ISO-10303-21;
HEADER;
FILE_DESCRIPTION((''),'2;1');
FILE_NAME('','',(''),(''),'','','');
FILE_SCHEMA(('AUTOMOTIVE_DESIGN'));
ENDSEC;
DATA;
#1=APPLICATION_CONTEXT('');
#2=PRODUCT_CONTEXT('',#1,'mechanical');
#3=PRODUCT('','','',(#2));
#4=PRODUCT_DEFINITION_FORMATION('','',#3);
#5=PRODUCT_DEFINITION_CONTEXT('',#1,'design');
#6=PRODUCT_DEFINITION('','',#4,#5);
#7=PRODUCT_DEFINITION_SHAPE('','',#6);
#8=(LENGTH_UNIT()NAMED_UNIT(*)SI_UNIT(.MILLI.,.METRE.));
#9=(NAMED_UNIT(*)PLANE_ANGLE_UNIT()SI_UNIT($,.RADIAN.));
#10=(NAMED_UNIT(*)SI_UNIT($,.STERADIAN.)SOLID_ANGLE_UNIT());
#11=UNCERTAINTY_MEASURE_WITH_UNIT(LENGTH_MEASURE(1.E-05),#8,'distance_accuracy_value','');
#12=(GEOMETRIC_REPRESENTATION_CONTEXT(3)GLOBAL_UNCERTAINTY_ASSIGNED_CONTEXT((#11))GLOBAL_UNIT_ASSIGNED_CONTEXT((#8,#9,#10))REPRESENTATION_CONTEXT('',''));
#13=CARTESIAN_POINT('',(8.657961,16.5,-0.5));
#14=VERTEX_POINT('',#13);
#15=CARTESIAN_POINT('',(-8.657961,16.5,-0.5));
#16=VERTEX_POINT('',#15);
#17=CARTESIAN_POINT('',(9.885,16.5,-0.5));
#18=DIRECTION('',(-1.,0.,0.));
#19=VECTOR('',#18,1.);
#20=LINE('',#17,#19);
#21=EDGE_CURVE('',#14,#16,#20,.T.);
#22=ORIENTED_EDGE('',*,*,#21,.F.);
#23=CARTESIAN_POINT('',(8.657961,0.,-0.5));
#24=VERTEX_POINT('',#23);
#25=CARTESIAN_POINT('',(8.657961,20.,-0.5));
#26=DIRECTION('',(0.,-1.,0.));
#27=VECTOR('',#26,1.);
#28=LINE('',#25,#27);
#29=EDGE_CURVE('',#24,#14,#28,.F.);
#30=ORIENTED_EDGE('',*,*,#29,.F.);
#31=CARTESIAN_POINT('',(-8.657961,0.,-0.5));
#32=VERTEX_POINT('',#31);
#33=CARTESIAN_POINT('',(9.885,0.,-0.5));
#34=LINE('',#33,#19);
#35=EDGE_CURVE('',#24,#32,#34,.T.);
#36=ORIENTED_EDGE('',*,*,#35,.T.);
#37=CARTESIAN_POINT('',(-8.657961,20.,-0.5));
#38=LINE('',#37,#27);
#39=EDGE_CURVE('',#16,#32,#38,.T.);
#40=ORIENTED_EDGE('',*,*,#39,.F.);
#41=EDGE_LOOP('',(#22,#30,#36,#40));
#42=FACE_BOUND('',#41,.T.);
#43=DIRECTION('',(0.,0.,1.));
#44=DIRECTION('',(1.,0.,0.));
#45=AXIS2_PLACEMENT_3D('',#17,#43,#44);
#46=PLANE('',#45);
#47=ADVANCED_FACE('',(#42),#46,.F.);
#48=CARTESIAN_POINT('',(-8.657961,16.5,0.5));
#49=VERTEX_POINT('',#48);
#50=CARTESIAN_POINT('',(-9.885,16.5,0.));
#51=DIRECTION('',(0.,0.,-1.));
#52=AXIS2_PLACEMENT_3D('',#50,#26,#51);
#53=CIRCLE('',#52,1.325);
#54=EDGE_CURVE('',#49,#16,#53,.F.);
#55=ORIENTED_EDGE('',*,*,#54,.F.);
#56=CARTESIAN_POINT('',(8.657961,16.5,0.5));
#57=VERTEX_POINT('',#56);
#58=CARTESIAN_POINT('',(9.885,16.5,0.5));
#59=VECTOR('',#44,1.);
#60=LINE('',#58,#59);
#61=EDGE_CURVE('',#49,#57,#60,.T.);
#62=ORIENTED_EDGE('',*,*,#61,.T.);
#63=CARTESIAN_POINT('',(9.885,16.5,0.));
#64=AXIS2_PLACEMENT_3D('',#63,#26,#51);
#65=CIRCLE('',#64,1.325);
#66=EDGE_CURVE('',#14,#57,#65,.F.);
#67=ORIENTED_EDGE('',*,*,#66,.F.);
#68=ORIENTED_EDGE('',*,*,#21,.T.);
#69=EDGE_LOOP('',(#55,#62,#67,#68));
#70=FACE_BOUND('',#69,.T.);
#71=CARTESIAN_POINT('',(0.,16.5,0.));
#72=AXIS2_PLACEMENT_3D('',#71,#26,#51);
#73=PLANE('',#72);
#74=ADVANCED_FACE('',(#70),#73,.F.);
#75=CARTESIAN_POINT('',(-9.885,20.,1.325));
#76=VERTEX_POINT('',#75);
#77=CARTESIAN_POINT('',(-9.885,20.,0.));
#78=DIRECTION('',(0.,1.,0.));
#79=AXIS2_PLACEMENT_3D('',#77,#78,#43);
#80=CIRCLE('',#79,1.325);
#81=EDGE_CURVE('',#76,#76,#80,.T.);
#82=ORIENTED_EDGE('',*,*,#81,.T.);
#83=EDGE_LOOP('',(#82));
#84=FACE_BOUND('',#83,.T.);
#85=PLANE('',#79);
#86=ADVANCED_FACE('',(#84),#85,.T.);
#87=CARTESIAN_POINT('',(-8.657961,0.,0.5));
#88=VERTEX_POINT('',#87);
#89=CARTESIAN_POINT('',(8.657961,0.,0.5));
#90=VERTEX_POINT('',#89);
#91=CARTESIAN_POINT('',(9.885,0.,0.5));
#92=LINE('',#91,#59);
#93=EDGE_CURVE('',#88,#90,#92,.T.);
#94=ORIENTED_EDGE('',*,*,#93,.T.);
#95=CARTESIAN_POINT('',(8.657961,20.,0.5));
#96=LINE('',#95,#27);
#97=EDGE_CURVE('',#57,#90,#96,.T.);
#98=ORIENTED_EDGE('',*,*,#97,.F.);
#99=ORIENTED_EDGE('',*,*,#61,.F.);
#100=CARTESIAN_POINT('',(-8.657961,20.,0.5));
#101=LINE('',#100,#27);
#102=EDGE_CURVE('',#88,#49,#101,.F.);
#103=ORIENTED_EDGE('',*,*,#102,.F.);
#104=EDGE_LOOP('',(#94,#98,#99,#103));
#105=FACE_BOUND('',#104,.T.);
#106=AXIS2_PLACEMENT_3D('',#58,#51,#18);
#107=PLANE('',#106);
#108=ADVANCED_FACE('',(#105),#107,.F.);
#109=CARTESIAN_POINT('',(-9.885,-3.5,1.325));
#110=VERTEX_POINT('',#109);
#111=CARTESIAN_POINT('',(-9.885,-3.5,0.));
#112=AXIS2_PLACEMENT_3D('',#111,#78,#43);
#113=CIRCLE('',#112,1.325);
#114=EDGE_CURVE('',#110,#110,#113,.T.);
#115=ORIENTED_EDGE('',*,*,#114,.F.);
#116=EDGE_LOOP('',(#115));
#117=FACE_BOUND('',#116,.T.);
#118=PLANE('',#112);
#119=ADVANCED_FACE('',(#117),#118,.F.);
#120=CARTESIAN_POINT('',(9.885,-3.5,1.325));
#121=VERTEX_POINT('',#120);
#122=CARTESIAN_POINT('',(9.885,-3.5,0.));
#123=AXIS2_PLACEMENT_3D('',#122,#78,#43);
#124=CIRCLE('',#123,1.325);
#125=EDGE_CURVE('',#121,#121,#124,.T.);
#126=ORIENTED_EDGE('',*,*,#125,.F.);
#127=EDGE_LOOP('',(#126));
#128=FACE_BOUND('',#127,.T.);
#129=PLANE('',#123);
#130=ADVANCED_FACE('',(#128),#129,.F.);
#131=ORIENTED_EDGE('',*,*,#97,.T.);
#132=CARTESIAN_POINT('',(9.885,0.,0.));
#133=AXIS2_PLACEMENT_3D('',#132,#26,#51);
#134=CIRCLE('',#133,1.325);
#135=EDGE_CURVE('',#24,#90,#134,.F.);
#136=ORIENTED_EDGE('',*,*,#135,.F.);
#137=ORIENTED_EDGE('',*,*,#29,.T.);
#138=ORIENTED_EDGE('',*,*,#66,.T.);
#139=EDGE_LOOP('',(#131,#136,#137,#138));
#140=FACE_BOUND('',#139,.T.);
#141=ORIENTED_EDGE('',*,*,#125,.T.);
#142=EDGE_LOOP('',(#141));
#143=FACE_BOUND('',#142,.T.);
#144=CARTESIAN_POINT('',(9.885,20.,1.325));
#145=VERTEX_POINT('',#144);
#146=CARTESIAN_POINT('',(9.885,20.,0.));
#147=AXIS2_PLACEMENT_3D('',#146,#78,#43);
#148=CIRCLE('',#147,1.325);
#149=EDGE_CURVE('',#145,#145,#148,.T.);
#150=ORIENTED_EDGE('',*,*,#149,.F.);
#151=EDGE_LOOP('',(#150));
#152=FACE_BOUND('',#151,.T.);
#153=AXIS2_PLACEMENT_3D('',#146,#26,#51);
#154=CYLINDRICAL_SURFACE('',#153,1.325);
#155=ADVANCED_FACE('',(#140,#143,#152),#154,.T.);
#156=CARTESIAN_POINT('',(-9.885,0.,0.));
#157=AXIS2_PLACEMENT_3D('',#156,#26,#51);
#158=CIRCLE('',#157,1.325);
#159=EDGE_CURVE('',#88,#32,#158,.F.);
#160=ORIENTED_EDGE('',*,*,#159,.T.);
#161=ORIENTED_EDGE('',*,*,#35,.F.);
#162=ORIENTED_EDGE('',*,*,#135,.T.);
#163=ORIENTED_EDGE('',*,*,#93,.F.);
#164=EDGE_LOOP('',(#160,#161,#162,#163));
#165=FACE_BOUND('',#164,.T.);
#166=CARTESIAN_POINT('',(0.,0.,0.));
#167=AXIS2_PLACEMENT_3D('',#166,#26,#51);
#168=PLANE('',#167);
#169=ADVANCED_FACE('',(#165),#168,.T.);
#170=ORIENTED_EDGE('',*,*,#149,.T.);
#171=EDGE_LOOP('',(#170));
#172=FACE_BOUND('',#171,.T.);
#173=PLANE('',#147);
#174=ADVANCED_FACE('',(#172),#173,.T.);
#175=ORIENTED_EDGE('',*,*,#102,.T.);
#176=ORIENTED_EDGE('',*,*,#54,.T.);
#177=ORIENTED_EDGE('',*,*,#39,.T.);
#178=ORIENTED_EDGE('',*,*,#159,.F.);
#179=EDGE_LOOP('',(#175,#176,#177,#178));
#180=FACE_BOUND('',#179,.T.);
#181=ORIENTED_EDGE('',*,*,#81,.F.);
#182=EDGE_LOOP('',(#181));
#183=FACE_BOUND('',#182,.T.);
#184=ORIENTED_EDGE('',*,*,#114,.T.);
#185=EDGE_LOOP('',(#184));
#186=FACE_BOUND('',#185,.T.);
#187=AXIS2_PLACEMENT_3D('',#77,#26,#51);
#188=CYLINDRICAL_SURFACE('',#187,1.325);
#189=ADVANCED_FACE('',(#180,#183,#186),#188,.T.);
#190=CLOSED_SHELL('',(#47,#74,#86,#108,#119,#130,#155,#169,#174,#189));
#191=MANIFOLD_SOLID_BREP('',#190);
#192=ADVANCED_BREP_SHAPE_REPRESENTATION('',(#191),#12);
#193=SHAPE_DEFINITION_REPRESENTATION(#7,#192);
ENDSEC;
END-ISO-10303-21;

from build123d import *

# Parameters (mm, degrees)
SKETCH1_W           = 19.77
SKETCH1_H           = 1
BOSS_EXTRUDE1_DEPTH = 16.5
SKETCH2_R           = 1.325
BOSS_EXTRUDE2_DEPTH = 11.75


with BuildPart() as part:
    # Sketch1 → Boss-Extrude1 (new body)
    with BuildSketch(Plane(origin=(0, 0, 0), x_dir=(1, 0, 0), z_dir=(0, 1, 0))):
        Rectangle(SKETCH1_W, SKETCH1_H)
    extrude(amount=BOSS_EXTRUDE1_DEPTH)

    # Sketch2 → Boss-Extrude2 (add, symmetric)
    with BuildSketch(Plane(origin=(0, 8.25, 0), x_dir=(1, 0, 0), z_dir=(0, 1, 0))):
        with Locations(Location((-9.885, 0, 0), (0, 0, 270))):
            Circle(SKETCH2_R)
        with Locations(Location((9.885, 0, 0), (0, 0, 270))):
            Circle(SKETCH2_R)
    extrude(amount=BOSS_EXTRUDE2_DEPTH, both=True)


solid = part.part
